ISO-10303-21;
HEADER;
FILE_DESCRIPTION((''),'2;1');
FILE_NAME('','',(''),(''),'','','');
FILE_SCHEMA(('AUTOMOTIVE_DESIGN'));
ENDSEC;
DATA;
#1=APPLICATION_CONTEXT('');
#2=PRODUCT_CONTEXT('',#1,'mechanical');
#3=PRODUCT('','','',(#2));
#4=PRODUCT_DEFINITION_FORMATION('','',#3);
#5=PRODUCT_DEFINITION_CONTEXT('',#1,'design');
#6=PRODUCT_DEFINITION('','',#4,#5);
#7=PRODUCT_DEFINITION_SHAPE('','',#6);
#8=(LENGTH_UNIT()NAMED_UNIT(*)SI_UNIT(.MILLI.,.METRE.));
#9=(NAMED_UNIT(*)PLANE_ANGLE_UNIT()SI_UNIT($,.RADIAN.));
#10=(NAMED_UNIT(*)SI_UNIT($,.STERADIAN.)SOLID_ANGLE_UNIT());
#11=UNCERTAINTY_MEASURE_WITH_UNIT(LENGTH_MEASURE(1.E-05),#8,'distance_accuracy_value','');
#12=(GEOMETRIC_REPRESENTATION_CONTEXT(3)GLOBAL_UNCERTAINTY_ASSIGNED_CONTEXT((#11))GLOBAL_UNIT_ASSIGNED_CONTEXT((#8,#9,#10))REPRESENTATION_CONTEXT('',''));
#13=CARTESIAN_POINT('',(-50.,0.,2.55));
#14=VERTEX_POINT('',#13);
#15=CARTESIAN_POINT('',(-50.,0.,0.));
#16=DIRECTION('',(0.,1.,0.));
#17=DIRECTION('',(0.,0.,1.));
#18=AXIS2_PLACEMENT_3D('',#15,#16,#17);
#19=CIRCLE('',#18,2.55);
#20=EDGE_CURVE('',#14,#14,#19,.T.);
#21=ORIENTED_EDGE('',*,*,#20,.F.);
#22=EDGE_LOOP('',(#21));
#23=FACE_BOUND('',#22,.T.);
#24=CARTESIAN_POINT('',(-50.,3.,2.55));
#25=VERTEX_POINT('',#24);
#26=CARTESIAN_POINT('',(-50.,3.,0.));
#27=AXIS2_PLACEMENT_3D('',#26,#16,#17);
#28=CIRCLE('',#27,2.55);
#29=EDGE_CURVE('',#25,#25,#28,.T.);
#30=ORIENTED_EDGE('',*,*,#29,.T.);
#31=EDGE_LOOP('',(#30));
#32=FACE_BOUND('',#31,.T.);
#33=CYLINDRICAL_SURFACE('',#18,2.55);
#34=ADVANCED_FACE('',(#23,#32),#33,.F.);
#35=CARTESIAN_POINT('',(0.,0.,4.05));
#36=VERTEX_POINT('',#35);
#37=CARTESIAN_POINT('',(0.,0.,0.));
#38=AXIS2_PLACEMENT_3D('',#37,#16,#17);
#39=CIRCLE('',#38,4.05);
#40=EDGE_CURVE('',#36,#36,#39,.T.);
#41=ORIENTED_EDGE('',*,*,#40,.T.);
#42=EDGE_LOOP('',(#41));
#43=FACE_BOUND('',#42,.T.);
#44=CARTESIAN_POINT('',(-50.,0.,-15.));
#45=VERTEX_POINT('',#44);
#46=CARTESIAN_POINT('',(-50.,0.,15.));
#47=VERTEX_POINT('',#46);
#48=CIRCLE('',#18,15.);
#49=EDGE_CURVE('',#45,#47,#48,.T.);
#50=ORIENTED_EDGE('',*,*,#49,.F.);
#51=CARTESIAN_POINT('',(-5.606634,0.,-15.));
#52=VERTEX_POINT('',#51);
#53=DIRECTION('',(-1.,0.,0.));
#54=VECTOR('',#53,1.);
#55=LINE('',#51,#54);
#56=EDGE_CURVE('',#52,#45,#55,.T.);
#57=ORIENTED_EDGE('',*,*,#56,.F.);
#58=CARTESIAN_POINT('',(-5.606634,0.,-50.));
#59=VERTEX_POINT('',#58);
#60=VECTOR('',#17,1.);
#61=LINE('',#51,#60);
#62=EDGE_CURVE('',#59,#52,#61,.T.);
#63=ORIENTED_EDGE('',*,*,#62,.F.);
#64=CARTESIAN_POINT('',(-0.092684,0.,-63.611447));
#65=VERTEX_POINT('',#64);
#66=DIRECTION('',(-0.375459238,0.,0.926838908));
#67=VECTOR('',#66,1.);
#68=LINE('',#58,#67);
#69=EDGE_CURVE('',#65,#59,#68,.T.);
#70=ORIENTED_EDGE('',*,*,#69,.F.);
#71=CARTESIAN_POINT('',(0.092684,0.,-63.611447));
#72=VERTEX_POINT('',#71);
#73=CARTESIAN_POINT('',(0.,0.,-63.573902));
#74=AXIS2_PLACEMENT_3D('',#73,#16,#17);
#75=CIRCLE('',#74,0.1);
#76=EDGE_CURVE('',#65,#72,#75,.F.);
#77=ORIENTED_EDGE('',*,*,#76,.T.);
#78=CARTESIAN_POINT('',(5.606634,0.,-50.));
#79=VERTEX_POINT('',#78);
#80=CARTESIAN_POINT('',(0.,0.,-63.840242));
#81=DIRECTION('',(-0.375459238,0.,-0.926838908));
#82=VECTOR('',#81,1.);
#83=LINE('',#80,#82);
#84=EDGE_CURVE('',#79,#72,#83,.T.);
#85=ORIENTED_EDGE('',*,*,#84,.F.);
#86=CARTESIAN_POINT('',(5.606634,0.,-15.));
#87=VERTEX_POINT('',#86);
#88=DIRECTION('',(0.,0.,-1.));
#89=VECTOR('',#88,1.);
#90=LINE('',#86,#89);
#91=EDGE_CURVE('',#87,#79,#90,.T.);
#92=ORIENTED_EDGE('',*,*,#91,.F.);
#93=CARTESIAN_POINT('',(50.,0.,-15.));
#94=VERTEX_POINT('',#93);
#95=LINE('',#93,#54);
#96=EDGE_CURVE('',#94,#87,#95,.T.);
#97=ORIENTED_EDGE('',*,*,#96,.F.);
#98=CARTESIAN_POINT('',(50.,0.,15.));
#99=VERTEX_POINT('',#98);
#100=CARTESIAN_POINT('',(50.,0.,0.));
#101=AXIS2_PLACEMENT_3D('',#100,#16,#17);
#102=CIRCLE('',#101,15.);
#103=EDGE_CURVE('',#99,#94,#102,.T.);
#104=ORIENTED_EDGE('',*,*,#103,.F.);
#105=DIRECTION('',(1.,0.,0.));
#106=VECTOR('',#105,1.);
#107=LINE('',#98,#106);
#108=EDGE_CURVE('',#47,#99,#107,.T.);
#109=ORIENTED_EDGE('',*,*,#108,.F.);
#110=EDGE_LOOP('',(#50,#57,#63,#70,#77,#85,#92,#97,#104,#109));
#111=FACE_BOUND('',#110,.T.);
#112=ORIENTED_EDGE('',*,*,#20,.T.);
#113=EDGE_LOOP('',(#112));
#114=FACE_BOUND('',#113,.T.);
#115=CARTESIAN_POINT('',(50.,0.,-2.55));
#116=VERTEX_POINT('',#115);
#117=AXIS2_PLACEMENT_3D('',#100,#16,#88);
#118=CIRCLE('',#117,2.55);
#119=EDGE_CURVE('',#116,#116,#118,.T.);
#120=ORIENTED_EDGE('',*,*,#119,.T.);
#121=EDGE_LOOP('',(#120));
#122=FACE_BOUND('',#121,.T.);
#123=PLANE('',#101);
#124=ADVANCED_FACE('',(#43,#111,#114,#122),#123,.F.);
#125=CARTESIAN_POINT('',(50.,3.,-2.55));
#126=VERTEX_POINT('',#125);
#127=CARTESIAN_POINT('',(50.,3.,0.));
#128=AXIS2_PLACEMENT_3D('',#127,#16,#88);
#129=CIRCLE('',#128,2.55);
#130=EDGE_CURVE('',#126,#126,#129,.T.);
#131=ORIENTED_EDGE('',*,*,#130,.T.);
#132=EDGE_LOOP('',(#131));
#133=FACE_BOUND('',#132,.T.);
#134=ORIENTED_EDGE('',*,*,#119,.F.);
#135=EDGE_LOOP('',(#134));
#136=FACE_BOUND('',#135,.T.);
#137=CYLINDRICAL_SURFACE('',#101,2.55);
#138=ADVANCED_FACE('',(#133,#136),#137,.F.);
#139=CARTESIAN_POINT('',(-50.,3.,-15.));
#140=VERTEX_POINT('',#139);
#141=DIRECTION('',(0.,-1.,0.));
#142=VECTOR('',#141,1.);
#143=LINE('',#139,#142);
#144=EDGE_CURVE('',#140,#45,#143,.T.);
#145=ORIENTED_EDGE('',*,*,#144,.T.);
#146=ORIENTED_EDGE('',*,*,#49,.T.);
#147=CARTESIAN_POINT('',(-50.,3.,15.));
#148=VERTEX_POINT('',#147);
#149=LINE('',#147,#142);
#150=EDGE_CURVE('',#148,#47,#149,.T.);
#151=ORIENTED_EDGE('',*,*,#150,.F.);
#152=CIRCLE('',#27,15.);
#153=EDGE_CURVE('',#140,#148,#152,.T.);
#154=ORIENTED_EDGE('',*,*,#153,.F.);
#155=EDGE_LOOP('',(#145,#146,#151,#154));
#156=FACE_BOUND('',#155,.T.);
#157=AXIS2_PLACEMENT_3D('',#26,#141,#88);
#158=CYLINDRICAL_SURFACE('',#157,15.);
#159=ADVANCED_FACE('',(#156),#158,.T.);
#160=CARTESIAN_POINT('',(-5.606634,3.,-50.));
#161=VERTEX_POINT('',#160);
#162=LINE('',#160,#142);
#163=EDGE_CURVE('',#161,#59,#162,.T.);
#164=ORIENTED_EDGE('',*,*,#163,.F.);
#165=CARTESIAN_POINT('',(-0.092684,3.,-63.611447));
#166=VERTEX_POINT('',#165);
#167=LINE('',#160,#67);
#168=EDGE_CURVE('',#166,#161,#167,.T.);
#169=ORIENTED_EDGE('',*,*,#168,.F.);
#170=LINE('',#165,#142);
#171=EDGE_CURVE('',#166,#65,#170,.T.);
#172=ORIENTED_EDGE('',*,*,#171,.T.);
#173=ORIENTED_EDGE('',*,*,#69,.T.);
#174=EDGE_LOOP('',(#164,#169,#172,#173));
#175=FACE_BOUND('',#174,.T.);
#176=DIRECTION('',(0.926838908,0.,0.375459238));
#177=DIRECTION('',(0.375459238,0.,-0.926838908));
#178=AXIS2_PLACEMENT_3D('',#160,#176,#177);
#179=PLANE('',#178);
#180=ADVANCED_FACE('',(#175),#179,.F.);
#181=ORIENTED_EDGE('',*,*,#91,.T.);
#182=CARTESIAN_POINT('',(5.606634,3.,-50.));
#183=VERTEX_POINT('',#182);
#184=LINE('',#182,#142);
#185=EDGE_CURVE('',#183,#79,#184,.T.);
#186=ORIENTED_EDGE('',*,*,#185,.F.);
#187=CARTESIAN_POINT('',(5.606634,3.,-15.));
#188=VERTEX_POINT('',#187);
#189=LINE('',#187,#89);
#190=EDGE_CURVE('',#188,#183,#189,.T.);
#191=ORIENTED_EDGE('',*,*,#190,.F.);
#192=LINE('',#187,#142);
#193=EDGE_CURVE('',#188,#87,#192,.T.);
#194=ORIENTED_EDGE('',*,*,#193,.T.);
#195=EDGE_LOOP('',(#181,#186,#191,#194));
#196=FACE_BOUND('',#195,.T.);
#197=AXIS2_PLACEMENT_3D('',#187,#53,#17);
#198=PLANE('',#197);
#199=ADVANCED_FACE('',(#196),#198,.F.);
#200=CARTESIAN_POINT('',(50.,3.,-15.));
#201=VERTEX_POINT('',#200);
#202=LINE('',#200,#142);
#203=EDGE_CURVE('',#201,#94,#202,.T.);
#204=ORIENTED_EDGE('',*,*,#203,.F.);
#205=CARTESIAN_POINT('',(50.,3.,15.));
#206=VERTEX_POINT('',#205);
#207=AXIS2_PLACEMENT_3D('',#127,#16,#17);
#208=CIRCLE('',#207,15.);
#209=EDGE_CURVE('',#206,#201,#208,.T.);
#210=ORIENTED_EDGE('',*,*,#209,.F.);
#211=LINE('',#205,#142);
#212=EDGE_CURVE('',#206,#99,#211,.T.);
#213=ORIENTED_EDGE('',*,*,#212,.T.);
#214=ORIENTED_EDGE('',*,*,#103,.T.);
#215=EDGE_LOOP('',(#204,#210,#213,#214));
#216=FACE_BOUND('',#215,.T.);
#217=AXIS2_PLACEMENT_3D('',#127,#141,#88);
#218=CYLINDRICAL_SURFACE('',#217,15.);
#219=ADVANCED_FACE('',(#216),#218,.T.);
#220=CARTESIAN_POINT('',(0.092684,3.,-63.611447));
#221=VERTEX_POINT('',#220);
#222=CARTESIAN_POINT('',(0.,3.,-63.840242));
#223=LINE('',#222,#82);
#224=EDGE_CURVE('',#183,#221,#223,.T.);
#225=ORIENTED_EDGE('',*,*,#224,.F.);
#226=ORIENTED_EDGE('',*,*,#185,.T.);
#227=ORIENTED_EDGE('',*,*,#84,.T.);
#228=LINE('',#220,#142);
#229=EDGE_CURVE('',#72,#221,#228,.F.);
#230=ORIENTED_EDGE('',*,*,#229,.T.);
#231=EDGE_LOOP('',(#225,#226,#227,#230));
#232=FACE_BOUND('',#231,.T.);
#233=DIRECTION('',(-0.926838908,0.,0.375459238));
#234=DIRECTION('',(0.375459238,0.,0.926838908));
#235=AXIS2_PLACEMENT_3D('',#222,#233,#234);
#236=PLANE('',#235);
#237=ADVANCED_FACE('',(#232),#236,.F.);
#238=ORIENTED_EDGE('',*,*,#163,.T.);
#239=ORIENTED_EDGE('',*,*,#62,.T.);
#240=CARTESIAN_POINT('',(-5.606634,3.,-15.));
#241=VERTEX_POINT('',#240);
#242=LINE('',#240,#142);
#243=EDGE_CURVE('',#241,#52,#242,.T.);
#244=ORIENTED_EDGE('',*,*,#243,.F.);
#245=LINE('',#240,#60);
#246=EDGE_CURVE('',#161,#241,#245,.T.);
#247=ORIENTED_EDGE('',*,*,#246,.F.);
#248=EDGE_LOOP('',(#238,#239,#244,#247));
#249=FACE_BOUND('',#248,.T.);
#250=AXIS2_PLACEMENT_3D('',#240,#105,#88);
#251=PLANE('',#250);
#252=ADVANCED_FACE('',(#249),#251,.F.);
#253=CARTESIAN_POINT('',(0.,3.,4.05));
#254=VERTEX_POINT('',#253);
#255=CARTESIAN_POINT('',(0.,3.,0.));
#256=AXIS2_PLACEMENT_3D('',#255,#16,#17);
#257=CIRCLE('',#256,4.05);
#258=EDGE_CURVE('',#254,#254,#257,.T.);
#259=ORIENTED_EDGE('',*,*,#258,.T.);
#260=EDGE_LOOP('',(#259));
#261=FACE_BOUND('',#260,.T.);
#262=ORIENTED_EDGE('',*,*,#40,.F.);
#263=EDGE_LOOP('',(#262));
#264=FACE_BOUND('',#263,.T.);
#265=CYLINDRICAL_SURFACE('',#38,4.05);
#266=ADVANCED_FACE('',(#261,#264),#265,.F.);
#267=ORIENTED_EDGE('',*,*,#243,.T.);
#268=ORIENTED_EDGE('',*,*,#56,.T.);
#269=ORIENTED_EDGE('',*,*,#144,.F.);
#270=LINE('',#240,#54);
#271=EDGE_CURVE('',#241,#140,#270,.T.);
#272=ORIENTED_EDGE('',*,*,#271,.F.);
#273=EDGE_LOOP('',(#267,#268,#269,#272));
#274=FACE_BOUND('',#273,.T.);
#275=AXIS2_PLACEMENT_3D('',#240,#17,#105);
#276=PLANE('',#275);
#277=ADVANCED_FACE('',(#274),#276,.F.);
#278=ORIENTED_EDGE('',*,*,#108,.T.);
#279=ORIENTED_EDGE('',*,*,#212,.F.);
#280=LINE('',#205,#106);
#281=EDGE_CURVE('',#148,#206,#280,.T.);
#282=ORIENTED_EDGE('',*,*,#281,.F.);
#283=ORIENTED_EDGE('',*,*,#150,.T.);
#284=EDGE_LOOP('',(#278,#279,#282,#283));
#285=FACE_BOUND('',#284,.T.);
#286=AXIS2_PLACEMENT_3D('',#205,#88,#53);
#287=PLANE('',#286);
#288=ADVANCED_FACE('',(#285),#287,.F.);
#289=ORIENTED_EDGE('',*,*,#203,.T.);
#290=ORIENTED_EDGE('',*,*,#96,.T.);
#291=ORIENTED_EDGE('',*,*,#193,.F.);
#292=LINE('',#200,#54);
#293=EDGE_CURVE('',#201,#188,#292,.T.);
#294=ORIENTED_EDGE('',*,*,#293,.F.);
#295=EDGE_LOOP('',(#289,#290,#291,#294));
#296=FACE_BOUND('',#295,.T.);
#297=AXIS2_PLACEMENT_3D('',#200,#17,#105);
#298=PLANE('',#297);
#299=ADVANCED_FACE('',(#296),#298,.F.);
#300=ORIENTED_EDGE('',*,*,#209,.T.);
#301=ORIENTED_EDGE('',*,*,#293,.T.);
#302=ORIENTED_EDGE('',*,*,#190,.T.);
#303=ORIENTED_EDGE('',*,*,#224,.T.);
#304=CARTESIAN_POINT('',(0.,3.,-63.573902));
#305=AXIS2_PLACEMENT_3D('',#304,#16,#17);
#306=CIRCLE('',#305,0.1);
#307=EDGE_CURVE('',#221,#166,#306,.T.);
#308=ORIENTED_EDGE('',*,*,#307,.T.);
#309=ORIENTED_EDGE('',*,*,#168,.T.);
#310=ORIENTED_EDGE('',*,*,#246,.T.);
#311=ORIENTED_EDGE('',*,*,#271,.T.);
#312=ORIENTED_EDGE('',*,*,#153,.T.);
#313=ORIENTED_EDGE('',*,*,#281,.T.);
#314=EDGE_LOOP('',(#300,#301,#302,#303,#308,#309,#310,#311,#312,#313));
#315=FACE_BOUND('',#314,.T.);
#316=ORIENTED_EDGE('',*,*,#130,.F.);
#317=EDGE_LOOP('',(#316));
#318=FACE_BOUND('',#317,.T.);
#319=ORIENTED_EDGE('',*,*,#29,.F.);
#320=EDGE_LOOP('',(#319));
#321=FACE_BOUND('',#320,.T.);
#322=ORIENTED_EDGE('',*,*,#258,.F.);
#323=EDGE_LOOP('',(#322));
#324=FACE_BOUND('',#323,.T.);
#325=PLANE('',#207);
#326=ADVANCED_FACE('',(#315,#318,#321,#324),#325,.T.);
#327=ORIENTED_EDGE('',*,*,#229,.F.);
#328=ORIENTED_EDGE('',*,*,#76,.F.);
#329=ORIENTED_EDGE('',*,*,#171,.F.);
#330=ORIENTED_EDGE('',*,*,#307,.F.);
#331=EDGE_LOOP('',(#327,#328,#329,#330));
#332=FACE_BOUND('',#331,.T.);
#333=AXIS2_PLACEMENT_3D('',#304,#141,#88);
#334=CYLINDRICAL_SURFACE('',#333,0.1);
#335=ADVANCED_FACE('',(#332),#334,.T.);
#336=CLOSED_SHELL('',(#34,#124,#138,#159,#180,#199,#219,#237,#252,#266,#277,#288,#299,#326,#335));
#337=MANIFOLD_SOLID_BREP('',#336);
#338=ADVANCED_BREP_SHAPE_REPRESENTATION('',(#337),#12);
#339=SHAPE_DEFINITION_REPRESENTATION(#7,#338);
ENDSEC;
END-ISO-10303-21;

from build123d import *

# Parameters (mm, degrees)
BOSS_EXTRUDE1_DEPTH = 3
SKETCH2_R           = 4.05
SKETCH2_R_2         = 2.55
CUT_EXTRUDE1_DEPTH  = 3
FILLET1_R           = 0.1


with BuildPart() as part:
    # Sketch1 → Boss-Extrude1 (new body)
    with BuildSketch(Plane(origin=(0, 0, 0), x_dir=(1, 0, 0), z_dir=(0, 1, 0))):
        with BuildLine():
            Line((50, -15), (-50, -15))
            ThreePointArc((-50, -15), (-65, 0), (-50, 15))
            Line((-50, 15), (-5.606634193, 15))
            Line((-5.606634193, 15), (-5.606634193, 50))
            Line((-5.606634193, 50), (0, 63.840242005))
            Line((0, 63.840242005), (5.606634193, 50))
            Line((5.606634193, 50), (5.606634193, 15))
            Line((5.606634193, 15), (50, 15))
            ThreePointArc((50, 15), (65, 0), (50, -15))
        make_face()
    extrude(amount=BOSS_EXTRUDE1_DEPTH)

    # Sketch2 → Cut-Extrude1 (cut)
    with BuildSketch(Plane(origin=(0, 3, 0), x_dir=(1, 0, 0), z_dir=(0, 1, 0))):
        with Locations(Location((0, 0, 0), (0, 0, 270))):
            Circle(SKETCH2_R)
        with Locations(Location((-50, 0, 0), (0, 0, 270))):
            Circle(SKETCH2_R_2)
        with Locations(Location((50, 0, 0), (0, 0, 90))):
            Circle(SKETCH2_R_2)
    extrude(amount=-CUT_EXTRUDE1_DEPTH, mode=Mode.SUBTRACT)

    # Fillet1
    fillet1_edges = [part.edges().sort_by_distance(p)[0] for p in [
        (0, 1.5, -63.840242005),
    ]]
    fillet(fillet1_edges, radius=FILLET1_R)


solid = part.part
